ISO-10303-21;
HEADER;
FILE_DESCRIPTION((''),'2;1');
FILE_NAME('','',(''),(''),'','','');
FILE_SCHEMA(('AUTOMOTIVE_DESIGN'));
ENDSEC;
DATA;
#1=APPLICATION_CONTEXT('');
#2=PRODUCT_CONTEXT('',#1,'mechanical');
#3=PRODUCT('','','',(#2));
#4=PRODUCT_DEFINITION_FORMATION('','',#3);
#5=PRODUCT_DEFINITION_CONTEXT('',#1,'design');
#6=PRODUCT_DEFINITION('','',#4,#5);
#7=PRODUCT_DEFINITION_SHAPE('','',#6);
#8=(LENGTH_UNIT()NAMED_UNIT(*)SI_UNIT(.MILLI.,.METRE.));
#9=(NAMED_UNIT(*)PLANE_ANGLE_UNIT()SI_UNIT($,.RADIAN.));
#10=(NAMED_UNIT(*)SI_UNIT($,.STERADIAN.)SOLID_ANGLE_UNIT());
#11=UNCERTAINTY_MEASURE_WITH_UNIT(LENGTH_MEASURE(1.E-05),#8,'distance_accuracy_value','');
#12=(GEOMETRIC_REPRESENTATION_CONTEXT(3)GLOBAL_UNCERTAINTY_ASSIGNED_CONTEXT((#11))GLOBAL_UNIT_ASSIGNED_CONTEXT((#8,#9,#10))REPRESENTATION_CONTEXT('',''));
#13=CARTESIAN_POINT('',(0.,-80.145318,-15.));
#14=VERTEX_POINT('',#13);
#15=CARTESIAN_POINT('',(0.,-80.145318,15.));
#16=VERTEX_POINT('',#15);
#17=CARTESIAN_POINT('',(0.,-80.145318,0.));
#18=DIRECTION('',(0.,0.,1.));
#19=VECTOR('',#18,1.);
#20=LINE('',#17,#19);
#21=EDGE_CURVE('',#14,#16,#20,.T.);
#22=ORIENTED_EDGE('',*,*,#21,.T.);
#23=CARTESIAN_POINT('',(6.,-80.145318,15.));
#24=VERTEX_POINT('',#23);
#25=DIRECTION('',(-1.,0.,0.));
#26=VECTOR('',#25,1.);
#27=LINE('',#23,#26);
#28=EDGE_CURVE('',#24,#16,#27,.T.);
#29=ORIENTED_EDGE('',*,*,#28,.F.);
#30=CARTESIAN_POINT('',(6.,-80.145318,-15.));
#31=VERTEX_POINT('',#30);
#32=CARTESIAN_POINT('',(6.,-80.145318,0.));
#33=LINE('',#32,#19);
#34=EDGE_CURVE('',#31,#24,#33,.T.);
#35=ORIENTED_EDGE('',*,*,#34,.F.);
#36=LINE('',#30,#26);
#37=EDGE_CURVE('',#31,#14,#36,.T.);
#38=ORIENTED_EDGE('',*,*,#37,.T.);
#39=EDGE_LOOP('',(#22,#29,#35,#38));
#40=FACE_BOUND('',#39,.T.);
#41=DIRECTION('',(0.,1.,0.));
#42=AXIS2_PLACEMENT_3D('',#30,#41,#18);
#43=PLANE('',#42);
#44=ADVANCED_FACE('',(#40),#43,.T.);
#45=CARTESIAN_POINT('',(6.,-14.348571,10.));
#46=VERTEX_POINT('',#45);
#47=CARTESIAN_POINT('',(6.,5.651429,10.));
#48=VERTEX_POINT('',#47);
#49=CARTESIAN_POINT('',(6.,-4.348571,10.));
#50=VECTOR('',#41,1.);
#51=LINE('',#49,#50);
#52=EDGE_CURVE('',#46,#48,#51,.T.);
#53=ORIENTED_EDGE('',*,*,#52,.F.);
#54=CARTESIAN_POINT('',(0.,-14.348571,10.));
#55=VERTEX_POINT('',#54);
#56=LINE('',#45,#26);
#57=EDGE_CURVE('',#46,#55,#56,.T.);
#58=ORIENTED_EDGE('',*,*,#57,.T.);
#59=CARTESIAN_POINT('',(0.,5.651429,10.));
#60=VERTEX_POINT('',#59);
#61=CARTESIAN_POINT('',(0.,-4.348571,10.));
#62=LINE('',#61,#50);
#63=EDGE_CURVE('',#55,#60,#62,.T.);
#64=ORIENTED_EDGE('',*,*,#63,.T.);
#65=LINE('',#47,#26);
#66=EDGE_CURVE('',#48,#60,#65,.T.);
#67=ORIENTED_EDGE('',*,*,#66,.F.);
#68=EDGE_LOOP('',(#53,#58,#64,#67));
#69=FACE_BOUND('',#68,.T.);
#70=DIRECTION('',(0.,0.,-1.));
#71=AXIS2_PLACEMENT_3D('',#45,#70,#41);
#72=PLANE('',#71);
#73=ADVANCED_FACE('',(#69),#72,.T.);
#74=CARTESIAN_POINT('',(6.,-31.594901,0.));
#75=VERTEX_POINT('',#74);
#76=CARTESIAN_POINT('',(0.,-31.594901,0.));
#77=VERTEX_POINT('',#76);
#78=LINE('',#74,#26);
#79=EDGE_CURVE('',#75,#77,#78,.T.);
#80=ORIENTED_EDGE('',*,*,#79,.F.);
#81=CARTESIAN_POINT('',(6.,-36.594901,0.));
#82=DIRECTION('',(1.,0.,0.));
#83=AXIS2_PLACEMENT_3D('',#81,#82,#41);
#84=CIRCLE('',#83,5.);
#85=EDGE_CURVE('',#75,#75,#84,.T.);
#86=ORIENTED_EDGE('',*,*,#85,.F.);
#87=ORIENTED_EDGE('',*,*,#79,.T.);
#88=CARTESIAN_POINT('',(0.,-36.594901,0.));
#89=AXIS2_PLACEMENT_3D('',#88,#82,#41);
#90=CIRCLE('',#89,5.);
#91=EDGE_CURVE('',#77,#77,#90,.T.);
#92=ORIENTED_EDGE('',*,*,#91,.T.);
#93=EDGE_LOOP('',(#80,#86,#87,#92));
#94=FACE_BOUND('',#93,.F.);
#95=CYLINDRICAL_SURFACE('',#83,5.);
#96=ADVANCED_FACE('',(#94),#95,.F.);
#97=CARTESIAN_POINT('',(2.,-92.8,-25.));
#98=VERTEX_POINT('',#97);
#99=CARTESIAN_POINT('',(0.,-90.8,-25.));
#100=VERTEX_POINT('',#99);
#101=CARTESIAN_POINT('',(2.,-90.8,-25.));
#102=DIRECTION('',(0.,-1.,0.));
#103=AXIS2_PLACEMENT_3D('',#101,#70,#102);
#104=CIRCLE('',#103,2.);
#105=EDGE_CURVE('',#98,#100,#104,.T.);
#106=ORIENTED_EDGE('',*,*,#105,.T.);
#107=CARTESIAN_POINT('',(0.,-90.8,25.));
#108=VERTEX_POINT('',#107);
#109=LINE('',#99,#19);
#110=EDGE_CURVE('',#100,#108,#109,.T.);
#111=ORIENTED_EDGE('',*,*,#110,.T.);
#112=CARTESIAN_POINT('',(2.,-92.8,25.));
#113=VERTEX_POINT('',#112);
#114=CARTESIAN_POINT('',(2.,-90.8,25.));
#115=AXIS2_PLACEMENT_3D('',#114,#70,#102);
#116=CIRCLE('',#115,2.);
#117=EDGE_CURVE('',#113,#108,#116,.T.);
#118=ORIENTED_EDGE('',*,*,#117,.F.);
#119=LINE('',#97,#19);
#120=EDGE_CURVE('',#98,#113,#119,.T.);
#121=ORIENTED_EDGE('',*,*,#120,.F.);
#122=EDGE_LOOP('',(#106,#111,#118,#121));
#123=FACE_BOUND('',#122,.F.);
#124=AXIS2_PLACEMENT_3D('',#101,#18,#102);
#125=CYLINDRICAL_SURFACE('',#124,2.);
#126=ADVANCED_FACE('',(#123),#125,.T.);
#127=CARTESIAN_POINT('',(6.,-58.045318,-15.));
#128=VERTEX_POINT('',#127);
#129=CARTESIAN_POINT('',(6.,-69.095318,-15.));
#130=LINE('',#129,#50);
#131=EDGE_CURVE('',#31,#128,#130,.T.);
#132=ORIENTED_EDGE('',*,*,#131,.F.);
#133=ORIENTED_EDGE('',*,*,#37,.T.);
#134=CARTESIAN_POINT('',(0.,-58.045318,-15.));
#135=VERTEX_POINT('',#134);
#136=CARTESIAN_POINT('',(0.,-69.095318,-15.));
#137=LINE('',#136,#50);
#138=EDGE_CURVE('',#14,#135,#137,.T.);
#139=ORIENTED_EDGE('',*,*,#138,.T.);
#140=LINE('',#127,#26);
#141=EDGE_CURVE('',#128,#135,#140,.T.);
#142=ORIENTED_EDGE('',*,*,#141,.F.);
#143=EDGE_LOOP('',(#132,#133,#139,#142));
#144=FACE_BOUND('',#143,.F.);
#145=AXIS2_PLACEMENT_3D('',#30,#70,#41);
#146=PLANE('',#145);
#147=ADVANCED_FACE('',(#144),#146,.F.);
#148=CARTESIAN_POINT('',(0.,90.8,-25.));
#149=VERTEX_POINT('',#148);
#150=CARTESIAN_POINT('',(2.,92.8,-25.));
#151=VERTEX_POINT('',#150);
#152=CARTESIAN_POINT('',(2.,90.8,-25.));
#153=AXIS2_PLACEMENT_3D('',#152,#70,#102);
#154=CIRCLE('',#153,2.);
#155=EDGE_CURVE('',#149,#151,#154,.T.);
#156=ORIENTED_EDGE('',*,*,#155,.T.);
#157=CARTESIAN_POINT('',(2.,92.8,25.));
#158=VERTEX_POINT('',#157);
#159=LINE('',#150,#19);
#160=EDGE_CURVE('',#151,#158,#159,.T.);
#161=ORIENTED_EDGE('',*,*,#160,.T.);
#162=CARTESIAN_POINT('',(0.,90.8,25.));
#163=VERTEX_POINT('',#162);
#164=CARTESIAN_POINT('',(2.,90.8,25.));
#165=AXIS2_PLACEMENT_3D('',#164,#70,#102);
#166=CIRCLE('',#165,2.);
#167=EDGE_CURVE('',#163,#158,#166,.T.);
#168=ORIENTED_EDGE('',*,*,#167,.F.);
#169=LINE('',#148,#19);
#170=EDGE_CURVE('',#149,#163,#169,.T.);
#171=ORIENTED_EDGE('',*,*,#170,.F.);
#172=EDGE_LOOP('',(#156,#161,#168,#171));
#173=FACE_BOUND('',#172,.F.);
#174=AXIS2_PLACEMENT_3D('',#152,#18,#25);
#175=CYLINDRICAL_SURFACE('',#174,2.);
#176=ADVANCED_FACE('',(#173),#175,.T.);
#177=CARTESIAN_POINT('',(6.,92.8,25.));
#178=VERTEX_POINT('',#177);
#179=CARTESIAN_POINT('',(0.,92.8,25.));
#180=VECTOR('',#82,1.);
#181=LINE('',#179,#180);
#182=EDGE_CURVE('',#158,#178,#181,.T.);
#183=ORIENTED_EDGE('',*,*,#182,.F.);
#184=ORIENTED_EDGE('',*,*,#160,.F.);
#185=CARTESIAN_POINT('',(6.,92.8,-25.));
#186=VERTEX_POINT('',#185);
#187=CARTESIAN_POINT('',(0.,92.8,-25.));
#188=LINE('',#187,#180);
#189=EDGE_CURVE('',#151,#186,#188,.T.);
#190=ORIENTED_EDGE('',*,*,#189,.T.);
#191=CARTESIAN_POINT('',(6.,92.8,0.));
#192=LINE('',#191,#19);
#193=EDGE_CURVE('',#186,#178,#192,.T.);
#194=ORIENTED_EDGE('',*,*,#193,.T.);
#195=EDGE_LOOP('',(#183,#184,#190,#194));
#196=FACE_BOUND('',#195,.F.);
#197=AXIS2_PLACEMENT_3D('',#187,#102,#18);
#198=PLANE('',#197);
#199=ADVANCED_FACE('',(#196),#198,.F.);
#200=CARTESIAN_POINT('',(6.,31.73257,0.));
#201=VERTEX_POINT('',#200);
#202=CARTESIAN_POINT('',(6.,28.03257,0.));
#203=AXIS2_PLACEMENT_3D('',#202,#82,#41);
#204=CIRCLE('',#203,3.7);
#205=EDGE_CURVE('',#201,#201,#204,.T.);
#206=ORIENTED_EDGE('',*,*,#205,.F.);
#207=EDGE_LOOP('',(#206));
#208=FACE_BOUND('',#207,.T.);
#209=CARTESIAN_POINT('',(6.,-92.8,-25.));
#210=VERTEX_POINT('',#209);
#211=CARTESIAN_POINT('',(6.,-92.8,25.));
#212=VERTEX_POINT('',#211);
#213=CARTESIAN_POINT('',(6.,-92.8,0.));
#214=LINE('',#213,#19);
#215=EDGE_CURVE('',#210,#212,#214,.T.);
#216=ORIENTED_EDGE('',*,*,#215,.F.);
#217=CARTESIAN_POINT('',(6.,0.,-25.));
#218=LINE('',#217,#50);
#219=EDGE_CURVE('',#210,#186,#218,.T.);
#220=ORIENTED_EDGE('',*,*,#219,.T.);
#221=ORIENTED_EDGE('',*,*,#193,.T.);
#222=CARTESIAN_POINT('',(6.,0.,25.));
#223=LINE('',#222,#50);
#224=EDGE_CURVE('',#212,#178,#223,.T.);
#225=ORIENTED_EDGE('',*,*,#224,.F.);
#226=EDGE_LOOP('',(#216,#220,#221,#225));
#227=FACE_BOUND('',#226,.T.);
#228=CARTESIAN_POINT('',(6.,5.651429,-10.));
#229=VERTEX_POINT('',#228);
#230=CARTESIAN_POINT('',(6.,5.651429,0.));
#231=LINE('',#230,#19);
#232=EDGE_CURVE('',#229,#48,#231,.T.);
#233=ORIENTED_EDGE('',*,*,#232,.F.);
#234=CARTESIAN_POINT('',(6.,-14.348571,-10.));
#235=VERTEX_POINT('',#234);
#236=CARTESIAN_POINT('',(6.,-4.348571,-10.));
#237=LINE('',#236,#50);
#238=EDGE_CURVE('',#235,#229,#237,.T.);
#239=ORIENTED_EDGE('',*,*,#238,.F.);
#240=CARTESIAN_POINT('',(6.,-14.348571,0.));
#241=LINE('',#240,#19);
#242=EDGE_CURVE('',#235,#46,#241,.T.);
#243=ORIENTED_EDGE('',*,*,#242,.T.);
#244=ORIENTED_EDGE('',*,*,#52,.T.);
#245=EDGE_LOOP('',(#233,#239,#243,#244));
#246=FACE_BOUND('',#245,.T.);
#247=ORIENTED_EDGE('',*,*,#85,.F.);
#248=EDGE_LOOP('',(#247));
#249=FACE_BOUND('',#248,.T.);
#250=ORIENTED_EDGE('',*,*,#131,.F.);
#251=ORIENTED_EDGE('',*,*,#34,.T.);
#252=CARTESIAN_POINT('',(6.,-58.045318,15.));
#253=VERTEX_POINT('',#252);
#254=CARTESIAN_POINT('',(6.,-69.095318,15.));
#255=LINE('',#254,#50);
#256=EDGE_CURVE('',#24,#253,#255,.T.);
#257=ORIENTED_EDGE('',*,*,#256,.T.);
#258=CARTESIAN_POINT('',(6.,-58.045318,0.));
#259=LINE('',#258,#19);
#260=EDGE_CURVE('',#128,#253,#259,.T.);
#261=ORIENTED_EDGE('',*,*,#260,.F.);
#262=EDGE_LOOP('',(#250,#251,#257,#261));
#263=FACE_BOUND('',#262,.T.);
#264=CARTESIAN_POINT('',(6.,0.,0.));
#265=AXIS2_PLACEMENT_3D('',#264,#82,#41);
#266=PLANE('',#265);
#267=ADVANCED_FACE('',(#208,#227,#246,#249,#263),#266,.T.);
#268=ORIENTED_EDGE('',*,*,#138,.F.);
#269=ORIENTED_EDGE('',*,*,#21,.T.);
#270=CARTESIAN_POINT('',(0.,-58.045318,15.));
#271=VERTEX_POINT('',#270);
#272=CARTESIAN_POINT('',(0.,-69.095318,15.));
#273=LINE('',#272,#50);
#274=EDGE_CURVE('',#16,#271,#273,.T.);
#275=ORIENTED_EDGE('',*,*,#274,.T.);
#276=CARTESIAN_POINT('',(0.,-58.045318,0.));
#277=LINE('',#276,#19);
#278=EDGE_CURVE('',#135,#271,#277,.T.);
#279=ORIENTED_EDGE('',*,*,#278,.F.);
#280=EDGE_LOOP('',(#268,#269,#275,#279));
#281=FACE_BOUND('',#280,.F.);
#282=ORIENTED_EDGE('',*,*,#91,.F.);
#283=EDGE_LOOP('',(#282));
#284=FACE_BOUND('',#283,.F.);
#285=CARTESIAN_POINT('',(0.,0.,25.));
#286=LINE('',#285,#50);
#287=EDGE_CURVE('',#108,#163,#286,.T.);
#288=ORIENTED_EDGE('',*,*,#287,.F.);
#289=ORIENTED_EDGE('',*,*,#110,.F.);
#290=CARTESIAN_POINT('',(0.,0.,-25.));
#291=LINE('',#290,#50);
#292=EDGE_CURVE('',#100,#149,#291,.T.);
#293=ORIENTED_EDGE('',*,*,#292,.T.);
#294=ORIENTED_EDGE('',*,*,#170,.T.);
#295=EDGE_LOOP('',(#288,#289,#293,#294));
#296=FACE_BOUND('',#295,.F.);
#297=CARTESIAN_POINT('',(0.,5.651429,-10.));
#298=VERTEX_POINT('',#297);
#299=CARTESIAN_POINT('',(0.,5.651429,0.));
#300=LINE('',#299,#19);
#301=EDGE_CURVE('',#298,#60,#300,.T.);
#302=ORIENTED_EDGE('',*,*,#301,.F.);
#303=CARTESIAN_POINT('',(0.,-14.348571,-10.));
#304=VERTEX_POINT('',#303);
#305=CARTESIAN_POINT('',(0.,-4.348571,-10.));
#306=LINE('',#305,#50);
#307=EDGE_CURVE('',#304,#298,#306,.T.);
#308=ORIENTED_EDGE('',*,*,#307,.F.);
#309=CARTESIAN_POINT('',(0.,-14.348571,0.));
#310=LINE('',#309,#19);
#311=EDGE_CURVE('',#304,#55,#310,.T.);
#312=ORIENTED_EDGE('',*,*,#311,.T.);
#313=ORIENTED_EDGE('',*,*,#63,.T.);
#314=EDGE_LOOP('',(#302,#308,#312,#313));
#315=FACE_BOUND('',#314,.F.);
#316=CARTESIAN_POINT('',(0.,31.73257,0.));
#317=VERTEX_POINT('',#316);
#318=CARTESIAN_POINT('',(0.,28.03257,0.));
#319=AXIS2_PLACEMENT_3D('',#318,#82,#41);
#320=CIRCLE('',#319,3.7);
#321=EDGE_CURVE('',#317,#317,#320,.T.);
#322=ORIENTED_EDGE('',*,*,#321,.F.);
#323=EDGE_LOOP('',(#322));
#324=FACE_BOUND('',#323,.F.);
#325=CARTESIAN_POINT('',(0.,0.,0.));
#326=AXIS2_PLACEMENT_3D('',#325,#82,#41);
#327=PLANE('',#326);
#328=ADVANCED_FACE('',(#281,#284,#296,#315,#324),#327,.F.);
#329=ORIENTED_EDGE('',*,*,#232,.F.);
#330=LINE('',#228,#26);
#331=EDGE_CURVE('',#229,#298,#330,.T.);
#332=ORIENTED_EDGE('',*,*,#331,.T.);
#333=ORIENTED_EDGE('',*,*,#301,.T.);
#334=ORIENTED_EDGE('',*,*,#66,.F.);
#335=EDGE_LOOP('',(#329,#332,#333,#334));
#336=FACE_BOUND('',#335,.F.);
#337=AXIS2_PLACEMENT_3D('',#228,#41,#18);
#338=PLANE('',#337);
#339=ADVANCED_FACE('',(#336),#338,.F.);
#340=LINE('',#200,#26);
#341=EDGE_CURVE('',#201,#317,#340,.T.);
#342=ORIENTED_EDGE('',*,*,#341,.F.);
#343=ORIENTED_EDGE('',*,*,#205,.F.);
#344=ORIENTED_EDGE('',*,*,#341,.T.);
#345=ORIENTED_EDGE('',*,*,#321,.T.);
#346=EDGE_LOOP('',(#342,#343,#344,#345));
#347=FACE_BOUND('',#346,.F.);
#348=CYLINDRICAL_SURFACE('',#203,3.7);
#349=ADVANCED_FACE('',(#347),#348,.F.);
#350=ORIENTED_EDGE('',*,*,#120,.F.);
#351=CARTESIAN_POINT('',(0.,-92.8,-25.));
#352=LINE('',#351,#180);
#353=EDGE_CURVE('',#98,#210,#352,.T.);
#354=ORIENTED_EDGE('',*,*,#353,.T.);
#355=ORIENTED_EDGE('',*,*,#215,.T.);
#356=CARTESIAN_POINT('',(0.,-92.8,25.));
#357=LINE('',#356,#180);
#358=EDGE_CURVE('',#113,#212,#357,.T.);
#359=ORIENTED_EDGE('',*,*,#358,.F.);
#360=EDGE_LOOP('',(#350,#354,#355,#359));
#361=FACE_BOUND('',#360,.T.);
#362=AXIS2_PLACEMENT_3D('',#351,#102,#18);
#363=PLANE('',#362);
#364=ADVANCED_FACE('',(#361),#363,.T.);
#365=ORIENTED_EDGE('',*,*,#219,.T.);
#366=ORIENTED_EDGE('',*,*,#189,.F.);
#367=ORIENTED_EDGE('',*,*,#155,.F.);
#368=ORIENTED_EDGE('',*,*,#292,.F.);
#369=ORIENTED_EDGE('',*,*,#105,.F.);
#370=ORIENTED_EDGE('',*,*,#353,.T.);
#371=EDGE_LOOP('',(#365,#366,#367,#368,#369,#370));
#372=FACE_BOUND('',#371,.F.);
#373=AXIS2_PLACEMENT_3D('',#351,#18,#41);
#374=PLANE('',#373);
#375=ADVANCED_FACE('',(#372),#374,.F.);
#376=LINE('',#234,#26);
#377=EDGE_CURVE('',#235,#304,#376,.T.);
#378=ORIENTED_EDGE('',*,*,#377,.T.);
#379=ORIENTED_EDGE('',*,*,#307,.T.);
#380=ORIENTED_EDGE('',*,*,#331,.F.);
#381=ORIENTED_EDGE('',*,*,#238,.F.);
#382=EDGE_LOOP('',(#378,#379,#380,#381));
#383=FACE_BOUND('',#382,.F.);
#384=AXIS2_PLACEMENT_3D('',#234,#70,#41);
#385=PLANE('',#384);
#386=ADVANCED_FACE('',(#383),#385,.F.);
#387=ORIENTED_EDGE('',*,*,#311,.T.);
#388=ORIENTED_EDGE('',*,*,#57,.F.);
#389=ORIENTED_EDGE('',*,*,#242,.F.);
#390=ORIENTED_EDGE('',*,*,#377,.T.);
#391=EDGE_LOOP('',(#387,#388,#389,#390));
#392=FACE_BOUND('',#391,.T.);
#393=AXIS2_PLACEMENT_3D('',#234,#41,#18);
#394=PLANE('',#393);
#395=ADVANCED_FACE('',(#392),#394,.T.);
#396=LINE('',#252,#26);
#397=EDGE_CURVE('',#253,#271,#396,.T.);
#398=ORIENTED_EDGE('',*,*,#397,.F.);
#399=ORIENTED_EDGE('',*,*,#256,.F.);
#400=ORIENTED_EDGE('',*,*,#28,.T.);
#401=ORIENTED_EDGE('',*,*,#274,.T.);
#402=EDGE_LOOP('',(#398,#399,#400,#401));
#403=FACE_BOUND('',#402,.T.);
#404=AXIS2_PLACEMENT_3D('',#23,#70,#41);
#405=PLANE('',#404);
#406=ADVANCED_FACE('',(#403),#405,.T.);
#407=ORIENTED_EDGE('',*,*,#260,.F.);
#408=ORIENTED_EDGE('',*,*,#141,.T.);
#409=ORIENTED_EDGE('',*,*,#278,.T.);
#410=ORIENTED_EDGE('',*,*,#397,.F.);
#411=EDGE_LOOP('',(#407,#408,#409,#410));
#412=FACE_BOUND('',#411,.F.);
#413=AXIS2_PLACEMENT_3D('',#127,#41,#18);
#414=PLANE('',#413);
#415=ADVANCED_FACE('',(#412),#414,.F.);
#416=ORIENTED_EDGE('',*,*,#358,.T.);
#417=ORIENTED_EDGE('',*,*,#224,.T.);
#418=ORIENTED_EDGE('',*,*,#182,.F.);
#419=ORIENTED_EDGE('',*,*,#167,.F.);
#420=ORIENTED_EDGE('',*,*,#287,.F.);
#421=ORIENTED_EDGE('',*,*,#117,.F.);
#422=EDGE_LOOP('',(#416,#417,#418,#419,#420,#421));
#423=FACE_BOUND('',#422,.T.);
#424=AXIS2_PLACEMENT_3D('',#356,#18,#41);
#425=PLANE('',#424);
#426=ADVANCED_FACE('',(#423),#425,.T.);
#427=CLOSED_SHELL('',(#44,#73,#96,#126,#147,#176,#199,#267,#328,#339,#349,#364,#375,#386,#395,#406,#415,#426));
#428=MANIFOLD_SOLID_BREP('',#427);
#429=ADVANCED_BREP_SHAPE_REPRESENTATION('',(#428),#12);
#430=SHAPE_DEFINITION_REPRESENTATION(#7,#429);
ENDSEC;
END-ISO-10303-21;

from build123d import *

# Parameters (mm, degrees)
F0_W     = 185.6
F0_H     = 50
F1_DEPTH = 6
F2_W     = 22.1
F2_H     = 30
F3_DEPTH = 6
F4_R     = 5
F5_DEPTH = 6
F6_W     = 20
F6_H     = 20
F7_DEPTH = 6
F8_R     = 3.7
F9_DEPTH = 6
F10_R    = 2


with BuildPart() as f1:
    # F0 (on Right) → F1 (new body)
    with BuildSketch(Plane.YZ):
        Rectangle(F0_W, F0_H)
    extrude(amount=F1_DEPTH)

    # F2 (on face) → F3 (cut, through all)
    with BuildSketch(Plane.YZ.offset(6)):
        with Locations((-69.095318, 0)):
            Rectangle(F2_W, F2_H)
    extrude(amount=-F3_DEPTH, mode=Mode.SUBTRACT)

    # F4 (on face) → F5 (cut, through all)
    with BuildSketch(Plane.YZ.offset(6)):
        with Locations((-36.594901, 0)):
            Circle(F4_R)
    extrude(amount=-F5_DEPTH, mode=Mode.SUBTRACT)

    # F6 (on face) → F7 (cut, through all)
    with BuildSketch(Plane.YZ.offset(6)):
        with Locations((-4.348571, 0)):
            Rectangle(F6_W, F6_H)
    extrude(amount=-F7_DEPTH, mode=Mode.SUBTRACT)

    # F8 (on face) → F9 (cut, through all)
    with BuildSketch(Plane.YZ.offset(6)):
        with Locations((28.03257, 0)):
            Circle(F8_R)
    extrude(amount=-F9_DEPTH, mode=Mode.SUBTRACT)

    # F10
    f10_edges = [f1.edges().sort_by_distance(p)[0] for p in [
        (0, 92.8, 0),
        (0, -92.8, 0),
    ]]
    fillet(f10_edges, radius=F10_R)


solid = f1.part
